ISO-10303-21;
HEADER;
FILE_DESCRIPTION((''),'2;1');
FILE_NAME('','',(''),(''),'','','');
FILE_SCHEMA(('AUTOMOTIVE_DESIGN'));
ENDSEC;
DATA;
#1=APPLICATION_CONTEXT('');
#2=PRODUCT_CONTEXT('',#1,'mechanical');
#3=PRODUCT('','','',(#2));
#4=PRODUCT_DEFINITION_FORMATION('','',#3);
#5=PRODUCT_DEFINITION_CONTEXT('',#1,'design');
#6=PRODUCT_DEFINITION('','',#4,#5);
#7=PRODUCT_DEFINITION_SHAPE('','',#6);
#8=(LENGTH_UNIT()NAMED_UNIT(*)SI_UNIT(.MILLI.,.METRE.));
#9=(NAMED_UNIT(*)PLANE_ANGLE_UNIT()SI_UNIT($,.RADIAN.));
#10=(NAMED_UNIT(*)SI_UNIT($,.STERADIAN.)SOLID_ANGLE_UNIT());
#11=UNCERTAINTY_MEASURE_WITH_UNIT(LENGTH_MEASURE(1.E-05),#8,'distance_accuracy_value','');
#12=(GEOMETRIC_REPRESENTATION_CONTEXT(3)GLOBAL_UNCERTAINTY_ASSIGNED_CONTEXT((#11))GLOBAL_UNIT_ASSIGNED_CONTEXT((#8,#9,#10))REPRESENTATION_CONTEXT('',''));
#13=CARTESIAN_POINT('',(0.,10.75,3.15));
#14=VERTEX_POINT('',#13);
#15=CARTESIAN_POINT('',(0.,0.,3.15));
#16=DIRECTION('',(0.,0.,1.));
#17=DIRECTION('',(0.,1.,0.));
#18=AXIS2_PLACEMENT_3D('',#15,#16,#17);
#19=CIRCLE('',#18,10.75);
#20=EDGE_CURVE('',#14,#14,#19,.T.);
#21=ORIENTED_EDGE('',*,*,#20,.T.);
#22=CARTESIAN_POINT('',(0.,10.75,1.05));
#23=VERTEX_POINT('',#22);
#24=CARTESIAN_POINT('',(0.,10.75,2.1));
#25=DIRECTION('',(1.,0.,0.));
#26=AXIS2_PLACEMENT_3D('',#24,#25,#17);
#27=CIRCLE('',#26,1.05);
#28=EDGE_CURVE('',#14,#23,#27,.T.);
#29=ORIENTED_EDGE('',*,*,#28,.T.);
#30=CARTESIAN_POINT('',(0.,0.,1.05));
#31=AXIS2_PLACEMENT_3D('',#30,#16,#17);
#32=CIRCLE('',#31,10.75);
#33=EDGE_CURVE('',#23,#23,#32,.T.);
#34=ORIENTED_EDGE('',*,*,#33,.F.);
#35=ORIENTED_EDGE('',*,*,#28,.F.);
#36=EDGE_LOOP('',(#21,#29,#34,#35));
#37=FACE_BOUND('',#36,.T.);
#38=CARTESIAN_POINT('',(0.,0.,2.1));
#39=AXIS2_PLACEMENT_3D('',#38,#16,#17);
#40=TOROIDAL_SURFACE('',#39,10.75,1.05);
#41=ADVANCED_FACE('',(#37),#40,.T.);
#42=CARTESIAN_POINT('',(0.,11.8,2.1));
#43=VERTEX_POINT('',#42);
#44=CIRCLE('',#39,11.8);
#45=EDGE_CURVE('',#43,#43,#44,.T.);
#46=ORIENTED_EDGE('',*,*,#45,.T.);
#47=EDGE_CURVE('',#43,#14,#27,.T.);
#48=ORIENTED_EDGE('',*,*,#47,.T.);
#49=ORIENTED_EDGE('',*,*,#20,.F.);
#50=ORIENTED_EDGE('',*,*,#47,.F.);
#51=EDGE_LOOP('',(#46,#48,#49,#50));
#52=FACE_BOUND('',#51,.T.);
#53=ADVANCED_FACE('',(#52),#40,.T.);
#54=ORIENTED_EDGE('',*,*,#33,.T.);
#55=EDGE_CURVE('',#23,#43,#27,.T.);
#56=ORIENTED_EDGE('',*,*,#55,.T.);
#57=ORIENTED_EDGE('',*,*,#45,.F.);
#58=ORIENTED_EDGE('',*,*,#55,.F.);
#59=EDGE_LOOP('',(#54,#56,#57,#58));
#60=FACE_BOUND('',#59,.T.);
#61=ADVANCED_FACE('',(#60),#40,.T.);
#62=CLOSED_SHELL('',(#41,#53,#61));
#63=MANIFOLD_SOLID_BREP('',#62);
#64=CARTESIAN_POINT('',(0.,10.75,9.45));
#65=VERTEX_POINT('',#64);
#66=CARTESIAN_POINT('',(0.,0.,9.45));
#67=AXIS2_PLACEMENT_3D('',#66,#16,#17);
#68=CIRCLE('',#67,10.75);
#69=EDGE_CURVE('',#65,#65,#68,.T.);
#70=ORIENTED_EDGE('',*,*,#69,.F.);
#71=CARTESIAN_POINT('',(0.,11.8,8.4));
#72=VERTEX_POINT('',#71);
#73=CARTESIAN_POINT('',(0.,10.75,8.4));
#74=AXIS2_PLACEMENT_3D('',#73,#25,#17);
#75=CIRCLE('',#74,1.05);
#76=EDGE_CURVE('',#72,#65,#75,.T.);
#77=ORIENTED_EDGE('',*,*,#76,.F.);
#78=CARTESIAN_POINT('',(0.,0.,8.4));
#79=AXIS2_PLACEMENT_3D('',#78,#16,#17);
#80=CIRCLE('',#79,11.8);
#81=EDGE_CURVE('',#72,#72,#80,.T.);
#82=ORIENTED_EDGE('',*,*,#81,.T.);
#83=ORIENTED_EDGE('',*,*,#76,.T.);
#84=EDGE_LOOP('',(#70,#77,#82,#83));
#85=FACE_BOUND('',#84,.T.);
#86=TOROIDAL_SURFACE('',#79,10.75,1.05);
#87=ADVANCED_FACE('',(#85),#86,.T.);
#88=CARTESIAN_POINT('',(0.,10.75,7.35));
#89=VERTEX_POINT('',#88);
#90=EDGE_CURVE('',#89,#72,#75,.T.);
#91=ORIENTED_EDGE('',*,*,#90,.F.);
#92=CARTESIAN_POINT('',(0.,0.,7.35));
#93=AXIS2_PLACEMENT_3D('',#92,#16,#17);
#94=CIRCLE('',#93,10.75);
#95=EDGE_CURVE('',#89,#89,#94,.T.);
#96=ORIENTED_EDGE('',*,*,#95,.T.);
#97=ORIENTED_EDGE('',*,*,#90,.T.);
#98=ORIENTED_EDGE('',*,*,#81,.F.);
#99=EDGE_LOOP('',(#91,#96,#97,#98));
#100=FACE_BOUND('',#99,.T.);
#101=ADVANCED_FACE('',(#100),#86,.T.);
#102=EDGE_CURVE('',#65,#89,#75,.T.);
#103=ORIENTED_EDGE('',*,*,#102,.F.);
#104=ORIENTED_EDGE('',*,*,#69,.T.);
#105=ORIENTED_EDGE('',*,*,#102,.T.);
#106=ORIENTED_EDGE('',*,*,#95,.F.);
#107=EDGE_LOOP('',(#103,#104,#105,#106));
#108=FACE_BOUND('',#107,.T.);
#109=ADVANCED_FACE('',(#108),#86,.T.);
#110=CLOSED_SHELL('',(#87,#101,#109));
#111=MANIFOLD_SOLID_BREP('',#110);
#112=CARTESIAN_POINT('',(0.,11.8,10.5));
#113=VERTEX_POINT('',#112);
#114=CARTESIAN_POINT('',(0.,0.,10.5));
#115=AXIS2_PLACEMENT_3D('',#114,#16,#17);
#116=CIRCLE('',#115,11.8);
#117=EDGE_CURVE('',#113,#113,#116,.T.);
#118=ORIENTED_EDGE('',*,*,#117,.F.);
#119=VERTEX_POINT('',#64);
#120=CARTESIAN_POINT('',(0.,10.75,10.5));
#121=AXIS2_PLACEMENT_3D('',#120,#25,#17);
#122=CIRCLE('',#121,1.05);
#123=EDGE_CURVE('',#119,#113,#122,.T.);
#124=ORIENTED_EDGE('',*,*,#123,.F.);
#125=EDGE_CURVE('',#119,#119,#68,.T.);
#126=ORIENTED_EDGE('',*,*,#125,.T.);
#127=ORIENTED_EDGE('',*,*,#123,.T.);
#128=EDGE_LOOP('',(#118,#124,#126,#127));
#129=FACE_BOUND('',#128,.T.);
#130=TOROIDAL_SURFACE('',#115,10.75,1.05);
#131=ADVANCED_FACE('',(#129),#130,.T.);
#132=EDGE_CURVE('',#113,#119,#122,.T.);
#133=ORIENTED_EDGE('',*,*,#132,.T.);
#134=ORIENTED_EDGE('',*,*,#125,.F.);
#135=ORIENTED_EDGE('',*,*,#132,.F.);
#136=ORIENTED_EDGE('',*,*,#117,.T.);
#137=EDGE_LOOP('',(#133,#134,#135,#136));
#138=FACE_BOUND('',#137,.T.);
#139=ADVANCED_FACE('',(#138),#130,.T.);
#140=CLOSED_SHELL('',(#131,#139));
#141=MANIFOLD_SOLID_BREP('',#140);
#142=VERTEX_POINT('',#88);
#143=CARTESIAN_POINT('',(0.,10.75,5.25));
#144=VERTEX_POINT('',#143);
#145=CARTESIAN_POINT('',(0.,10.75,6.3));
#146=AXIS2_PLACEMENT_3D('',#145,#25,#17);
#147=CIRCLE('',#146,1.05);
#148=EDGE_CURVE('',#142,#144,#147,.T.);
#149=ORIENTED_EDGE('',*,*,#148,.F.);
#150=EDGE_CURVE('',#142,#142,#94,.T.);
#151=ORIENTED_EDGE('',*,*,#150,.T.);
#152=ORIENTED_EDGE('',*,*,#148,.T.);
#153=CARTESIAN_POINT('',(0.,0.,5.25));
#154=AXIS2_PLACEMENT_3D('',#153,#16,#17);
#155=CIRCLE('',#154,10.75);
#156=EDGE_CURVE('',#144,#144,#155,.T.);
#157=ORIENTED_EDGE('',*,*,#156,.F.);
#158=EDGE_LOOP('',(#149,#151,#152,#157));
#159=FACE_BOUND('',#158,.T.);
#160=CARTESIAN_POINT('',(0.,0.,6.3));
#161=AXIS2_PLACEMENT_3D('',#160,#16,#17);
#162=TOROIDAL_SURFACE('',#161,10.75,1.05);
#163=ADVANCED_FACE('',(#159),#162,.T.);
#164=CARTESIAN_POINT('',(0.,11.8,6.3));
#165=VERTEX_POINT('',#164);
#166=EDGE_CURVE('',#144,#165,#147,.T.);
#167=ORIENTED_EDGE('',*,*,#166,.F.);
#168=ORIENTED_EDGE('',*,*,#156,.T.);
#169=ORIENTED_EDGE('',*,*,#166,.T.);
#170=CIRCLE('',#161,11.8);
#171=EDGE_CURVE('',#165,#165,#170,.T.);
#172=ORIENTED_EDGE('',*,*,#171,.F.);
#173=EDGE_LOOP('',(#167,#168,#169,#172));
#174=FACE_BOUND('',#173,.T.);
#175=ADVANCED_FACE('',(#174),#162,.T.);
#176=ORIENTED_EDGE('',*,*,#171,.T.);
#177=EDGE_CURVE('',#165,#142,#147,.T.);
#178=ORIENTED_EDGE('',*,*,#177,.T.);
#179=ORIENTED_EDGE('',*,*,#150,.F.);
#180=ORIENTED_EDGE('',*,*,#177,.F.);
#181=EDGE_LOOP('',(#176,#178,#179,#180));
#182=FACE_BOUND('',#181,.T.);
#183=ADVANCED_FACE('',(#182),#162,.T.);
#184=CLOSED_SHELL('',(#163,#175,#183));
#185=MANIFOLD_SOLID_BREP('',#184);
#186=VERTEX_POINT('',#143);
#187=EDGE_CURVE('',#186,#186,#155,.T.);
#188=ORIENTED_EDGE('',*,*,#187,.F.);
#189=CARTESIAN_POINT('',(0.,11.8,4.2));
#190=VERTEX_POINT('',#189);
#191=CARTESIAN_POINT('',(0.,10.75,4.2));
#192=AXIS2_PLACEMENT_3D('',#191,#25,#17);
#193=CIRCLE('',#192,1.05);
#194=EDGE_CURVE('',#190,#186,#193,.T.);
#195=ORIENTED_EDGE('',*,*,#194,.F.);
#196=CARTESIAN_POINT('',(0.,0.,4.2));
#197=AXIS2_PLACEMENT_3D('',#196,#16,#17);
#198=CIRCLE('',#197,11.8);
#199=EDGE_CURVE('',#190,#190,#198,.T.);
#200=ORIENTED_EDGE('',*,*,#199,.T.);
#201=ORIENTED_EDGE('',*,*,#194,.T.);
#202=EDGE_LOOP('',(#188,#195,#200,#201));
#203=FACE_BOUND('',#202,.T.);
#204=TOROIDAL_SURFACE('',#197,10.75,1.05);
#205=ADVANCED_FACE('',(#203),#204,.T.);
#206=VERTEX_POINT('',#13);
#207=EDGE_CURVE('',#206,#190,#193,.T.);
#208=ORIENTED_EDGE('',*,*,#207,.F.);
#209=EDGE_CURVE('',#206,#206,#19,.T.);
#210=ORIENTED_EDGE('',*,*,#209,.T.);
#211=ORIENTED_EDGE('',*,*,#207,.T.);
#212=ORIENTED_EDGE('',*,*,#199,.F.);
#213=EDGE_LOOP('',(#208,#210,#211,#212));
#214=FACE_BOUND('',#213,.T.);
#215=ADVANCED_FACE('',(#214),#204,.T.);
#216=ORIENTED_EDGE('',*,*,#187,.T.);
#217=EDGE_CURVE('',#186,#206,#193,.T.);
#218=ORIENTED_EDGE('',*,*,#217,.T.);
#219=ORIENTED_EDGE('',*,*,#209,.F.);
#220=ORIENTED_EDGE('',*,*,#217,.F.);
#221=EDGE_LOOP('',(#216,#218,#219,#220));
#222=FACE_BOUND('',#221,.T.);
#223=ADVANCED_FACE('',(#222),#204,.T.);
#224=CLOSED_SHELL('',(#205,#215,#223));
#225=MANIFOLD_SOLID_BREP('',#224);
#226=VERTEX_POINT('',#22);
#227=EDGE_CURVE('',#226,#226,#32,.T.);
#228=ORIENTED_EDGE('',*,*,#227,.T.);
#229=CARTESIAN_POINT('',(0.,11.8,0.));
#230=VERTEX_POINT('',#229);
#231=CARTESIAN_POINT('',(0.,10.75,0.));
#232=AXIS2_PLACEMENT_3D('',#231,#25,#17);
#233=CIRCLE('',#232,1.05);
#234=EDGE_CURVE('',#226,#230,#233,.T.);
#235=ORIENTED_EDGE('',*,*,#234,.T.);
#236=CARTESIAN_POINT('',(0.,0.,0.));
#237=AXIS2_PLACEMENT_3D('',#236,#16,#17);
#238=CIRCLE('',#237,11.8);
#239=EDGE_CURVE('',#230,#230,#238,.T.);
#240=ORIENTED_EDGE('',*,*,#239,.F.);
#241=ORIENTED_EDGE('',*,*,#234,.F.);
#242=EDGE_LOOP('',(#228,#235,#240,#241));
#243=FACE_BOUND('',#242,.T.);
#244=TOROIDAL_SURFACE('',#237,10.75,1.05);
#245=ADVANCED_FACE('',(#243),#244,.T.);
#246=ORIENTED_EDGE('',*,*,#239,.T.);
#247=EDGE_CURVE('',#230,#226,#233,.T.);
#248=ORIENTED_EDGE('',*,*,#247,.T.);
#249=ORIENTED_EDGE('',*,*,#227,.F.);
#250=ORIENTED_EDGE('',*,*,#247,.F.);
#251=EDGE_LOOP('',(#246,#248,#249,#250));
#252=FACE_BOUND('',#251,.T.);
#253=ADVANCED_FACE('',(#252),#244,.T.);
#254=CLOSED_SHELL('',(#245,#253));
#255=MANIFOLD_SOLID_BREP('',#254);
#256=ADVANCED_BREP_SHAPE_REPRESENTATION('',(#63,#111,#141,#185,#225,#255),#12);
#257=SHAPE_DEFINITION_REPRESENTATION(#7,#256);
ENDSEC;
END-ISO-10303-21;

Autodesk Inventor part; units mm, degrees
ref_plane "YZ Plane" through (0, 0, 0) normal (1, 0, 0) x (0, 1, 0)
ref_plane "XZ Plane" through (0, 0, 0) normal (0, 1, 0) x (-1, 0, 0)
ref_plane "XY Plane" through (0, 0, 0) normal (0, 0, 1) x (1, 0, 0)
sketch "Sketch1" plane through (0, 0, 0) normal (1, 0, 0) x (0, 1, 0)
  circle A0 centre (10.75, 0) radius 1.05
  line L0 (0, -1.47) -> (0, 1.47) projected
  point P0 (0, 0)
  dimension "d0" = 2.1
  dimension "d1" = 10.75
revolve "Revolution1" add sketch "Sketch1" angle 360 about axis through (0, 0, -10) along (0, 0, 1)
pattern_linear "Rectangular Pattern1" count 6 spacing 2.1 along (0, 0, 1) of "Revolution1"
properties part number "21xx_WireLoop_2,1mm_Inner" material "Copper, Cast"
